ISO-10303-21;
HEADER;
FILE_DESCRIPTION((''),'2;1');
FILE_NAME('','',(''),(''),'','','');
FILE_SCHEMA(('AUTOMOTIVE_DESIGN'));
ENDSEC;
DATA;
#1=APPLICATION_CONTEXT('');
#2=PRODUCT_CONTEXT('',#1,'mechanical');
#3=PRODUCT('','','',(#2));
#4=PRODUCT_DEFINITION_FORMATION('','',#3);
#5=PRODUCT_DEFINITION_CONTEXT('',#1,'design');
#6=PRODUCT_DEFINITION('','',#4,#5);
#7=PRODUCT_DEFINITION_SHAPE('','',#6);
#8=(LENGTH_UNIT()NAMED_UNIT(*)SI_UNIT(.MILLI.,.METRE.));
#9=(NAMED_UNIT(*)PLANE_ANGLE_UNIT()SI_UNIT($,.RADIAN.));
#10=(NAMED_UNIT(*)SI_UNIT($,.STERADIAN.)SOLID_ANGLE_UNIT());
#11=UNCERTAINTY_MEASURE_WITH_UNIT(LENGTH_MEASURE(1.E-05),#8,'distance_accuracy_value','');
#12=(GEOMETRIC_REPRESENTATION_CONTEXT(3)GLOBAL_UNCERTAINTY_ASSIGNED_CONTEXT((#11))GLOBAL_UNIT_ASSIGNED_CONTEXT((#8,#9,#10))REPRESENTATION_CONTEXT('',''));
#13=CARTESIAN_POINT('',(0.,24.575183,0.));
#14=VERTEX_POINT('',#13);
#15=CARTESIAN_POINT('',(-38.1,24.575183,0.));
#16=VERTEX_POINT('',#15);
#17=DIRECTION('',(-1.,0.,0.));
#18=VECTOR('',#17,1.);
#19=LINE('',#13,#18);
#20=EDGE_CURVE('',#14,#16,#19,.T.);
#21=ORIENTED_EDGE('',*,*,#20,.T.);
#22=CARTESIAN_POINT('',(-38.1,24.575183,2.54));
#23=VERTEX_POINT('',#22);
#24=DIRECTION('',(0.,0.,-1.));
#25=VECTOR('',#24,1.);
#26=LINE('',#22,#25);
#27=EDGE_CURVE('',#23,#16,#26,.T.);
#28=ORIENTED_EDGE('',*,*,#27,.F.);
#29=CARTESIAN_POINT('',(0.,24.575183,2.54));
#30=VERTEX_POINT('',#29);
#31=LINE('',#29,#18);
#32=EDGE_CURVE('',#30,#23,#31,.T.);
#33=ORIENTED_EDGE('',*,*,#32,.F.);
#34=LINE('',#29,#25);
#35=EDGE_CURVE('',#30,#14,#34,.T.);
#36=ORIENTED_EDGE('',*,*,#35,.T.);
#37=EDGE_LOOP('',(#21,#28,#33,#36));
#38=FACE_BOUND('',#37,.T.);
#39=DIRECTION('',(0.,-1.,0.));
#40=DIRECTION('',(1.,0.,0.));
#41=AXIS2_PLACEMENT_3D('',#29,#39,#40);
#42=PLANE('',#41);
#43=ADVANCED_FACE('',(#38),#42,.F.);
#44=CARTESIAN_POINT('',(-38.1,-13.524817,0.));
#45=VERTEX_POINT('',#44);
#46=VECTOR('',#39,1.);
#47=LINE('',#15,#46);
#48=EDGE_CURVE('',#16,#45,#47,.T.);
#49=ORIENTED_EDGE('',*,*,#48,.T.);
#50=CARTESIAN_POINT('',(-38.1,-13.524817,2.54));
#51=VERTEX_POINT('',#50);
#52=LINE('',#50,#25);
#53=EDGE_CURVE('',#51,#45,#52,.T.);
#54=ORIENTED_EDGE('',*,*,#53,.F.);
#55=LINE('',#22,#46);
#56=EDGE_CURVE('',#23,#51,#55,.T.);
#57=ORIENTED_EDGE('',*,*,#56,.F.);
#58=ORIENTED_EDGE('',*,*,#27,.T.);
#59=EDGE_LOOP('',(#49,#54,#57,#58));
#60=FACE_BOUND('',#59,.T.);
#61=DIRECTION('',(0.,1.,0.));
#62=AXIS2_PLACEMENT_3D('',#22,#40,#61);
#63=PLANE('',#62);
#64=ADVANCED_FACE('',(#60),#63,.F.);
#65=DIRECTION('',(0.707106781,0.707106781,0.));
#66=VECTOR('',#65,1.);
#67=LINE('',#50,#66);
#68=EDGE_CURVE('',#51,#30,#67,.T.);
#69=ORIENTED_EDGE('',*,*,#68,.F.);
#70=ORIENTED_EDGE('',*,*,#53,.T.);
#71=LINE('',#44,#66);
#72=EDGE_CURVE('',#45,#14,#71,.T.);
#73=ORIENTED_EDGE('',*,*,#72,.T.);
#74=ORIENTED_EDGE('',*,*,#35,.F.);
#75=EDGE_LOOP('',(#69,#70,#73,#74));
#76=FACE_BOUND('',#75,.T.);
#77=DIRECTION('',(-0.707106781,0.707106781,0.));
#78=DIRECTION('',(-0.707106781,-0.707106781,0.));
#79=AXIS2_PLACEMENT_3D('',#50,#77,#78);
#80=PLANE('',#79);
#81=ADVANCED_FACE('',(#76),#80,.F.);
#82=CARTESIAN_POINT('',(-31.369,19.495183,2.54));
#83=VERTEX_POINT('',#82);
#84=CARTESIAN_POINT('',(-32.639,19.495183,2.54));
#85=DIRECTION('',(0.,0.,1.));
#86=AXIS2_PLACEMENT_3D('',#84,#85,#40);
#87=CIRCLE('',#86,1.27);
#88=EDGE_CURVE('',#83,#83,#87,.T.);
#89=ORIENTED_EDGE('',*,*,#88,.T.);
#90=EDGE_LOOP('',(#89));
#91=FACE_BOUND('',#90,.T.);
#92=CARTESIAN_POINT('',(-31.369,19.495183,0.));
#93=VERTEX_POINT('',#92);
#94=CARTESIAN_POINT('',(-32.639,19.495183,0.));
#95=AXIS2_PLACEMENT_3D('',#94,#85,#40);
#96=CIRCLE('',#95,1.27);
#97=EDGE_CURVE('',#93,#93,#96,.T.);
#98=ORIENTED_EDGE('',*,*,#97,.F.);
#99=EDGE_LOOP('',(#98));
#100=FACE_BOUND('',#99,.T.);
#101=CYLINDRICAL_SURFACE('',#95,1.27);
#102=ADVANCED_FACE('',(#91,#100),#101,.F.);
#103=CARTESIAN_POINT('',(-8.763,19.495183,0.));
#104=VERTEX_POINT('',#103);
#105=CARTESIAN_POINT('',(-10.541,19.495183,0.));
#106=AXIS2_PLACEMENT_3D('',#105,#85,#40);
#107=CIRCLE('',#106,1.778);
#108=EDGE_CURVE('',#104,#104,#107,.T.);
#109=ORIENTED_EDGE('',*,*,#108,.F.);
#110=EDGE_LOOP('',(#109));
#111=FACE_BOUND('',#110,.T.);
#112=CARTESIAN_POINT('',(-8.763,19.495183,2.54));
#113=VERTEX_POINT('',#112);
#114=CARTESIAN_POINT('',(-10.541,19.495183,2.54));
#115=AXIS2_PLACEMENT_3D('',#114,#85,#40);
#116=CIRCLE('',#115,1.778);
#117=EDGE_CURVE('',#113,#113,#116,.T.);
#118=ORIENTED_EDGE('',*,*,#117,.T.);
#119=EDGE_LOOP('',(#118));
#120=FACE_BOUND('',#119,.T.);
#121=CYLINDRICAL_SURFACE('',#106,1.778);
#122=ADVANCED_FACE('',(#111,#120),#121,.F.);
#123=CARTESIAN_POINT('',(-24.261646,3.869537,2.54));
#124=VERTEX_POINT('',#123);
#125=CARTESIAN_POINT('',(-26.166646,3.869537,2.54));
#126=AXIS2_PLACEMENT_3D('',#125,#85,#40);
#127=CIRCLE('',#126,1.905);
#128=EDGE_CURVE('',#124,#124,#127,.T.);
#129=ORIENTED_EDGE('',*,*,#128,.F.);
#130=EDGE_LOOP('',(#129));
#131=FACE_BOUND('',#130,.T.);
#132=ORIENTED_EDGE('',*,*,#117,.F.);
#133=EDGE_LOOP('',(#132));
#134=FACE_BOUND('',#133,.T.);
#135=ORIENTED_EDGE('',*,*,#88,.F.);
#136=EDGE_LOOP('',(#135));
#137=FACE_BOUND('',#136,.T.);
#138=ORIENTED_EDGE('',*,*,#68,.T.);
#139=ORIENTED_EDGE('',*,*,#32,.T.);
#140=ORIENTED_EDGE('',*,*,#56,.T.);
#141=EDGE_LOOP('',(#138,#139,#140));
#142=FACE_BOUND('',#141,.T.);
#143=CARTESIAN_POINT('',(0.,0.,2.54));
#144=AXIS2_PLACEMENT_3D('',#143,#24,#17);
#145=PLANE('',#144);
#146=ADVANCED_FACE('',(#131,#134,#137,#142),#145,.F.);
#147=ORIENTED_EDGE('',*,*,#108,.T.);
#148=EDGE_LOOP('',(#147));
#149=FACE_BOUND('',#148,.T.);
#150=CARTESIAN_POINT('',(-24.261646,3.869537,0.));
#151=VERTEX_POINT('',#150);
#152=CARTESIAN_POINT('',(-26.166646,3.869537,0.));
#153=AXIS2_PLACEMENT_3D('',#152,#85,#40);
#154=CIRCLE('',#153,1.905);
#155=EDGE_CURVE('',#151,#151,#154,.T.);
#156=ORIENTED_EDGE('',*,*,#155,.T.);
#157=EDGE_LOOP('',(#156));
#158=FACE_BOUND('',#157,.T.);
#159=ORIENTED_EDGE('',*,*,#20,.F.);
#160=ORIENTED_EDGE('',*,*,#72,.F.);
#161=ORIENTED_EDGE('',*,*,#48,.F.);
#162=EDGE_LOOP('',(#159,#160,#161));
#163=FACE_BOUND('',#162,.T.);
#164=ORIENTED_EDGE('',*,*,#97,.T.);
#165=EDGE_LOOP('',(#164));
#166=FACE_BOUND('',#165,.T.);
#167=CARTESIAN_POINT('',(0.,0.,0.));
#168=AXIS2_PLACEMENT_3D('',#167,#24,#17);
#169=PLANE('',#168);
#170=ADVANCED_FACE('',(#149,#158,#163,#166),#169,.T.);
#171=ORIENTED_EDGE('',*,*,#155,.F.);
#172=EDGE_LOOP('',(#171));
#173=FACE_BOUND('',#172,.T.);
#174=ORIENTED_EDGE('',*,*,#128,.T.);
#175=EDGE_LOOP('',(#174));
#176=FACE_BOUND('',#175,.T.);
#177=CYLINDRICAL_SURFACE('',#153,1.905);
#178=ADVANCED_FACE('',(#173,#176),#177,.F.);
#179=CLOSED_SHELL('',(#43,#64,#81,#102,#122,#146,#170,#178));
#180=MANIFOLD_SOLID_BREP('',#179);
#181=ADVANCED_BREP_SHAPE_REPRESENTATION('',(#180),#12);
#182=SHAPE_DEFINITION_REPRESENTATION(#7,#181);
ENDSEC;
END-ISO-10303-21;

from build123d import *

# Parameters (mm, degrees)
BOSS_EXTRUDE1_DEPTH = 2.54
SKETCH2_R           = 1.27
SKETCH2_R_2         = 1.778
SKETCH2_R_3         = 1.905
CUT_EXTRUDE1_DEPTH  = 46.409263418


with BuildPart() as part:
    # Sketch1 → Boss-Extrude1 (new body)
    with BuildSketch(Plane.XY):
        Polygon((-38.1, 24.575182688), (-38.1, -13.524817312), (0, 24.575182688), align=None)
    extrude(amount=BOSS_EXTRUDE1_DEPTH)

    # Sketch2 → Cut-Extrude1 (cut, through all)
    with BuildSketch(Plane.XY.offset(2.54)):
        with Locations((-32.639, 19.495182688)):
            Circle(SKETCH2_R)
        with Locations((-10.541, 19.495182688)):
            Circle(SKETCH2_R_2)
        with Locations((-26.166645651, 3.869537037)):
            Circle(SKETCH2_R_3)
    extrude(amount=-CUT_EXTRUDE1_DEPTH, mode=Mode.SUBTRACT)


solid = part.part
